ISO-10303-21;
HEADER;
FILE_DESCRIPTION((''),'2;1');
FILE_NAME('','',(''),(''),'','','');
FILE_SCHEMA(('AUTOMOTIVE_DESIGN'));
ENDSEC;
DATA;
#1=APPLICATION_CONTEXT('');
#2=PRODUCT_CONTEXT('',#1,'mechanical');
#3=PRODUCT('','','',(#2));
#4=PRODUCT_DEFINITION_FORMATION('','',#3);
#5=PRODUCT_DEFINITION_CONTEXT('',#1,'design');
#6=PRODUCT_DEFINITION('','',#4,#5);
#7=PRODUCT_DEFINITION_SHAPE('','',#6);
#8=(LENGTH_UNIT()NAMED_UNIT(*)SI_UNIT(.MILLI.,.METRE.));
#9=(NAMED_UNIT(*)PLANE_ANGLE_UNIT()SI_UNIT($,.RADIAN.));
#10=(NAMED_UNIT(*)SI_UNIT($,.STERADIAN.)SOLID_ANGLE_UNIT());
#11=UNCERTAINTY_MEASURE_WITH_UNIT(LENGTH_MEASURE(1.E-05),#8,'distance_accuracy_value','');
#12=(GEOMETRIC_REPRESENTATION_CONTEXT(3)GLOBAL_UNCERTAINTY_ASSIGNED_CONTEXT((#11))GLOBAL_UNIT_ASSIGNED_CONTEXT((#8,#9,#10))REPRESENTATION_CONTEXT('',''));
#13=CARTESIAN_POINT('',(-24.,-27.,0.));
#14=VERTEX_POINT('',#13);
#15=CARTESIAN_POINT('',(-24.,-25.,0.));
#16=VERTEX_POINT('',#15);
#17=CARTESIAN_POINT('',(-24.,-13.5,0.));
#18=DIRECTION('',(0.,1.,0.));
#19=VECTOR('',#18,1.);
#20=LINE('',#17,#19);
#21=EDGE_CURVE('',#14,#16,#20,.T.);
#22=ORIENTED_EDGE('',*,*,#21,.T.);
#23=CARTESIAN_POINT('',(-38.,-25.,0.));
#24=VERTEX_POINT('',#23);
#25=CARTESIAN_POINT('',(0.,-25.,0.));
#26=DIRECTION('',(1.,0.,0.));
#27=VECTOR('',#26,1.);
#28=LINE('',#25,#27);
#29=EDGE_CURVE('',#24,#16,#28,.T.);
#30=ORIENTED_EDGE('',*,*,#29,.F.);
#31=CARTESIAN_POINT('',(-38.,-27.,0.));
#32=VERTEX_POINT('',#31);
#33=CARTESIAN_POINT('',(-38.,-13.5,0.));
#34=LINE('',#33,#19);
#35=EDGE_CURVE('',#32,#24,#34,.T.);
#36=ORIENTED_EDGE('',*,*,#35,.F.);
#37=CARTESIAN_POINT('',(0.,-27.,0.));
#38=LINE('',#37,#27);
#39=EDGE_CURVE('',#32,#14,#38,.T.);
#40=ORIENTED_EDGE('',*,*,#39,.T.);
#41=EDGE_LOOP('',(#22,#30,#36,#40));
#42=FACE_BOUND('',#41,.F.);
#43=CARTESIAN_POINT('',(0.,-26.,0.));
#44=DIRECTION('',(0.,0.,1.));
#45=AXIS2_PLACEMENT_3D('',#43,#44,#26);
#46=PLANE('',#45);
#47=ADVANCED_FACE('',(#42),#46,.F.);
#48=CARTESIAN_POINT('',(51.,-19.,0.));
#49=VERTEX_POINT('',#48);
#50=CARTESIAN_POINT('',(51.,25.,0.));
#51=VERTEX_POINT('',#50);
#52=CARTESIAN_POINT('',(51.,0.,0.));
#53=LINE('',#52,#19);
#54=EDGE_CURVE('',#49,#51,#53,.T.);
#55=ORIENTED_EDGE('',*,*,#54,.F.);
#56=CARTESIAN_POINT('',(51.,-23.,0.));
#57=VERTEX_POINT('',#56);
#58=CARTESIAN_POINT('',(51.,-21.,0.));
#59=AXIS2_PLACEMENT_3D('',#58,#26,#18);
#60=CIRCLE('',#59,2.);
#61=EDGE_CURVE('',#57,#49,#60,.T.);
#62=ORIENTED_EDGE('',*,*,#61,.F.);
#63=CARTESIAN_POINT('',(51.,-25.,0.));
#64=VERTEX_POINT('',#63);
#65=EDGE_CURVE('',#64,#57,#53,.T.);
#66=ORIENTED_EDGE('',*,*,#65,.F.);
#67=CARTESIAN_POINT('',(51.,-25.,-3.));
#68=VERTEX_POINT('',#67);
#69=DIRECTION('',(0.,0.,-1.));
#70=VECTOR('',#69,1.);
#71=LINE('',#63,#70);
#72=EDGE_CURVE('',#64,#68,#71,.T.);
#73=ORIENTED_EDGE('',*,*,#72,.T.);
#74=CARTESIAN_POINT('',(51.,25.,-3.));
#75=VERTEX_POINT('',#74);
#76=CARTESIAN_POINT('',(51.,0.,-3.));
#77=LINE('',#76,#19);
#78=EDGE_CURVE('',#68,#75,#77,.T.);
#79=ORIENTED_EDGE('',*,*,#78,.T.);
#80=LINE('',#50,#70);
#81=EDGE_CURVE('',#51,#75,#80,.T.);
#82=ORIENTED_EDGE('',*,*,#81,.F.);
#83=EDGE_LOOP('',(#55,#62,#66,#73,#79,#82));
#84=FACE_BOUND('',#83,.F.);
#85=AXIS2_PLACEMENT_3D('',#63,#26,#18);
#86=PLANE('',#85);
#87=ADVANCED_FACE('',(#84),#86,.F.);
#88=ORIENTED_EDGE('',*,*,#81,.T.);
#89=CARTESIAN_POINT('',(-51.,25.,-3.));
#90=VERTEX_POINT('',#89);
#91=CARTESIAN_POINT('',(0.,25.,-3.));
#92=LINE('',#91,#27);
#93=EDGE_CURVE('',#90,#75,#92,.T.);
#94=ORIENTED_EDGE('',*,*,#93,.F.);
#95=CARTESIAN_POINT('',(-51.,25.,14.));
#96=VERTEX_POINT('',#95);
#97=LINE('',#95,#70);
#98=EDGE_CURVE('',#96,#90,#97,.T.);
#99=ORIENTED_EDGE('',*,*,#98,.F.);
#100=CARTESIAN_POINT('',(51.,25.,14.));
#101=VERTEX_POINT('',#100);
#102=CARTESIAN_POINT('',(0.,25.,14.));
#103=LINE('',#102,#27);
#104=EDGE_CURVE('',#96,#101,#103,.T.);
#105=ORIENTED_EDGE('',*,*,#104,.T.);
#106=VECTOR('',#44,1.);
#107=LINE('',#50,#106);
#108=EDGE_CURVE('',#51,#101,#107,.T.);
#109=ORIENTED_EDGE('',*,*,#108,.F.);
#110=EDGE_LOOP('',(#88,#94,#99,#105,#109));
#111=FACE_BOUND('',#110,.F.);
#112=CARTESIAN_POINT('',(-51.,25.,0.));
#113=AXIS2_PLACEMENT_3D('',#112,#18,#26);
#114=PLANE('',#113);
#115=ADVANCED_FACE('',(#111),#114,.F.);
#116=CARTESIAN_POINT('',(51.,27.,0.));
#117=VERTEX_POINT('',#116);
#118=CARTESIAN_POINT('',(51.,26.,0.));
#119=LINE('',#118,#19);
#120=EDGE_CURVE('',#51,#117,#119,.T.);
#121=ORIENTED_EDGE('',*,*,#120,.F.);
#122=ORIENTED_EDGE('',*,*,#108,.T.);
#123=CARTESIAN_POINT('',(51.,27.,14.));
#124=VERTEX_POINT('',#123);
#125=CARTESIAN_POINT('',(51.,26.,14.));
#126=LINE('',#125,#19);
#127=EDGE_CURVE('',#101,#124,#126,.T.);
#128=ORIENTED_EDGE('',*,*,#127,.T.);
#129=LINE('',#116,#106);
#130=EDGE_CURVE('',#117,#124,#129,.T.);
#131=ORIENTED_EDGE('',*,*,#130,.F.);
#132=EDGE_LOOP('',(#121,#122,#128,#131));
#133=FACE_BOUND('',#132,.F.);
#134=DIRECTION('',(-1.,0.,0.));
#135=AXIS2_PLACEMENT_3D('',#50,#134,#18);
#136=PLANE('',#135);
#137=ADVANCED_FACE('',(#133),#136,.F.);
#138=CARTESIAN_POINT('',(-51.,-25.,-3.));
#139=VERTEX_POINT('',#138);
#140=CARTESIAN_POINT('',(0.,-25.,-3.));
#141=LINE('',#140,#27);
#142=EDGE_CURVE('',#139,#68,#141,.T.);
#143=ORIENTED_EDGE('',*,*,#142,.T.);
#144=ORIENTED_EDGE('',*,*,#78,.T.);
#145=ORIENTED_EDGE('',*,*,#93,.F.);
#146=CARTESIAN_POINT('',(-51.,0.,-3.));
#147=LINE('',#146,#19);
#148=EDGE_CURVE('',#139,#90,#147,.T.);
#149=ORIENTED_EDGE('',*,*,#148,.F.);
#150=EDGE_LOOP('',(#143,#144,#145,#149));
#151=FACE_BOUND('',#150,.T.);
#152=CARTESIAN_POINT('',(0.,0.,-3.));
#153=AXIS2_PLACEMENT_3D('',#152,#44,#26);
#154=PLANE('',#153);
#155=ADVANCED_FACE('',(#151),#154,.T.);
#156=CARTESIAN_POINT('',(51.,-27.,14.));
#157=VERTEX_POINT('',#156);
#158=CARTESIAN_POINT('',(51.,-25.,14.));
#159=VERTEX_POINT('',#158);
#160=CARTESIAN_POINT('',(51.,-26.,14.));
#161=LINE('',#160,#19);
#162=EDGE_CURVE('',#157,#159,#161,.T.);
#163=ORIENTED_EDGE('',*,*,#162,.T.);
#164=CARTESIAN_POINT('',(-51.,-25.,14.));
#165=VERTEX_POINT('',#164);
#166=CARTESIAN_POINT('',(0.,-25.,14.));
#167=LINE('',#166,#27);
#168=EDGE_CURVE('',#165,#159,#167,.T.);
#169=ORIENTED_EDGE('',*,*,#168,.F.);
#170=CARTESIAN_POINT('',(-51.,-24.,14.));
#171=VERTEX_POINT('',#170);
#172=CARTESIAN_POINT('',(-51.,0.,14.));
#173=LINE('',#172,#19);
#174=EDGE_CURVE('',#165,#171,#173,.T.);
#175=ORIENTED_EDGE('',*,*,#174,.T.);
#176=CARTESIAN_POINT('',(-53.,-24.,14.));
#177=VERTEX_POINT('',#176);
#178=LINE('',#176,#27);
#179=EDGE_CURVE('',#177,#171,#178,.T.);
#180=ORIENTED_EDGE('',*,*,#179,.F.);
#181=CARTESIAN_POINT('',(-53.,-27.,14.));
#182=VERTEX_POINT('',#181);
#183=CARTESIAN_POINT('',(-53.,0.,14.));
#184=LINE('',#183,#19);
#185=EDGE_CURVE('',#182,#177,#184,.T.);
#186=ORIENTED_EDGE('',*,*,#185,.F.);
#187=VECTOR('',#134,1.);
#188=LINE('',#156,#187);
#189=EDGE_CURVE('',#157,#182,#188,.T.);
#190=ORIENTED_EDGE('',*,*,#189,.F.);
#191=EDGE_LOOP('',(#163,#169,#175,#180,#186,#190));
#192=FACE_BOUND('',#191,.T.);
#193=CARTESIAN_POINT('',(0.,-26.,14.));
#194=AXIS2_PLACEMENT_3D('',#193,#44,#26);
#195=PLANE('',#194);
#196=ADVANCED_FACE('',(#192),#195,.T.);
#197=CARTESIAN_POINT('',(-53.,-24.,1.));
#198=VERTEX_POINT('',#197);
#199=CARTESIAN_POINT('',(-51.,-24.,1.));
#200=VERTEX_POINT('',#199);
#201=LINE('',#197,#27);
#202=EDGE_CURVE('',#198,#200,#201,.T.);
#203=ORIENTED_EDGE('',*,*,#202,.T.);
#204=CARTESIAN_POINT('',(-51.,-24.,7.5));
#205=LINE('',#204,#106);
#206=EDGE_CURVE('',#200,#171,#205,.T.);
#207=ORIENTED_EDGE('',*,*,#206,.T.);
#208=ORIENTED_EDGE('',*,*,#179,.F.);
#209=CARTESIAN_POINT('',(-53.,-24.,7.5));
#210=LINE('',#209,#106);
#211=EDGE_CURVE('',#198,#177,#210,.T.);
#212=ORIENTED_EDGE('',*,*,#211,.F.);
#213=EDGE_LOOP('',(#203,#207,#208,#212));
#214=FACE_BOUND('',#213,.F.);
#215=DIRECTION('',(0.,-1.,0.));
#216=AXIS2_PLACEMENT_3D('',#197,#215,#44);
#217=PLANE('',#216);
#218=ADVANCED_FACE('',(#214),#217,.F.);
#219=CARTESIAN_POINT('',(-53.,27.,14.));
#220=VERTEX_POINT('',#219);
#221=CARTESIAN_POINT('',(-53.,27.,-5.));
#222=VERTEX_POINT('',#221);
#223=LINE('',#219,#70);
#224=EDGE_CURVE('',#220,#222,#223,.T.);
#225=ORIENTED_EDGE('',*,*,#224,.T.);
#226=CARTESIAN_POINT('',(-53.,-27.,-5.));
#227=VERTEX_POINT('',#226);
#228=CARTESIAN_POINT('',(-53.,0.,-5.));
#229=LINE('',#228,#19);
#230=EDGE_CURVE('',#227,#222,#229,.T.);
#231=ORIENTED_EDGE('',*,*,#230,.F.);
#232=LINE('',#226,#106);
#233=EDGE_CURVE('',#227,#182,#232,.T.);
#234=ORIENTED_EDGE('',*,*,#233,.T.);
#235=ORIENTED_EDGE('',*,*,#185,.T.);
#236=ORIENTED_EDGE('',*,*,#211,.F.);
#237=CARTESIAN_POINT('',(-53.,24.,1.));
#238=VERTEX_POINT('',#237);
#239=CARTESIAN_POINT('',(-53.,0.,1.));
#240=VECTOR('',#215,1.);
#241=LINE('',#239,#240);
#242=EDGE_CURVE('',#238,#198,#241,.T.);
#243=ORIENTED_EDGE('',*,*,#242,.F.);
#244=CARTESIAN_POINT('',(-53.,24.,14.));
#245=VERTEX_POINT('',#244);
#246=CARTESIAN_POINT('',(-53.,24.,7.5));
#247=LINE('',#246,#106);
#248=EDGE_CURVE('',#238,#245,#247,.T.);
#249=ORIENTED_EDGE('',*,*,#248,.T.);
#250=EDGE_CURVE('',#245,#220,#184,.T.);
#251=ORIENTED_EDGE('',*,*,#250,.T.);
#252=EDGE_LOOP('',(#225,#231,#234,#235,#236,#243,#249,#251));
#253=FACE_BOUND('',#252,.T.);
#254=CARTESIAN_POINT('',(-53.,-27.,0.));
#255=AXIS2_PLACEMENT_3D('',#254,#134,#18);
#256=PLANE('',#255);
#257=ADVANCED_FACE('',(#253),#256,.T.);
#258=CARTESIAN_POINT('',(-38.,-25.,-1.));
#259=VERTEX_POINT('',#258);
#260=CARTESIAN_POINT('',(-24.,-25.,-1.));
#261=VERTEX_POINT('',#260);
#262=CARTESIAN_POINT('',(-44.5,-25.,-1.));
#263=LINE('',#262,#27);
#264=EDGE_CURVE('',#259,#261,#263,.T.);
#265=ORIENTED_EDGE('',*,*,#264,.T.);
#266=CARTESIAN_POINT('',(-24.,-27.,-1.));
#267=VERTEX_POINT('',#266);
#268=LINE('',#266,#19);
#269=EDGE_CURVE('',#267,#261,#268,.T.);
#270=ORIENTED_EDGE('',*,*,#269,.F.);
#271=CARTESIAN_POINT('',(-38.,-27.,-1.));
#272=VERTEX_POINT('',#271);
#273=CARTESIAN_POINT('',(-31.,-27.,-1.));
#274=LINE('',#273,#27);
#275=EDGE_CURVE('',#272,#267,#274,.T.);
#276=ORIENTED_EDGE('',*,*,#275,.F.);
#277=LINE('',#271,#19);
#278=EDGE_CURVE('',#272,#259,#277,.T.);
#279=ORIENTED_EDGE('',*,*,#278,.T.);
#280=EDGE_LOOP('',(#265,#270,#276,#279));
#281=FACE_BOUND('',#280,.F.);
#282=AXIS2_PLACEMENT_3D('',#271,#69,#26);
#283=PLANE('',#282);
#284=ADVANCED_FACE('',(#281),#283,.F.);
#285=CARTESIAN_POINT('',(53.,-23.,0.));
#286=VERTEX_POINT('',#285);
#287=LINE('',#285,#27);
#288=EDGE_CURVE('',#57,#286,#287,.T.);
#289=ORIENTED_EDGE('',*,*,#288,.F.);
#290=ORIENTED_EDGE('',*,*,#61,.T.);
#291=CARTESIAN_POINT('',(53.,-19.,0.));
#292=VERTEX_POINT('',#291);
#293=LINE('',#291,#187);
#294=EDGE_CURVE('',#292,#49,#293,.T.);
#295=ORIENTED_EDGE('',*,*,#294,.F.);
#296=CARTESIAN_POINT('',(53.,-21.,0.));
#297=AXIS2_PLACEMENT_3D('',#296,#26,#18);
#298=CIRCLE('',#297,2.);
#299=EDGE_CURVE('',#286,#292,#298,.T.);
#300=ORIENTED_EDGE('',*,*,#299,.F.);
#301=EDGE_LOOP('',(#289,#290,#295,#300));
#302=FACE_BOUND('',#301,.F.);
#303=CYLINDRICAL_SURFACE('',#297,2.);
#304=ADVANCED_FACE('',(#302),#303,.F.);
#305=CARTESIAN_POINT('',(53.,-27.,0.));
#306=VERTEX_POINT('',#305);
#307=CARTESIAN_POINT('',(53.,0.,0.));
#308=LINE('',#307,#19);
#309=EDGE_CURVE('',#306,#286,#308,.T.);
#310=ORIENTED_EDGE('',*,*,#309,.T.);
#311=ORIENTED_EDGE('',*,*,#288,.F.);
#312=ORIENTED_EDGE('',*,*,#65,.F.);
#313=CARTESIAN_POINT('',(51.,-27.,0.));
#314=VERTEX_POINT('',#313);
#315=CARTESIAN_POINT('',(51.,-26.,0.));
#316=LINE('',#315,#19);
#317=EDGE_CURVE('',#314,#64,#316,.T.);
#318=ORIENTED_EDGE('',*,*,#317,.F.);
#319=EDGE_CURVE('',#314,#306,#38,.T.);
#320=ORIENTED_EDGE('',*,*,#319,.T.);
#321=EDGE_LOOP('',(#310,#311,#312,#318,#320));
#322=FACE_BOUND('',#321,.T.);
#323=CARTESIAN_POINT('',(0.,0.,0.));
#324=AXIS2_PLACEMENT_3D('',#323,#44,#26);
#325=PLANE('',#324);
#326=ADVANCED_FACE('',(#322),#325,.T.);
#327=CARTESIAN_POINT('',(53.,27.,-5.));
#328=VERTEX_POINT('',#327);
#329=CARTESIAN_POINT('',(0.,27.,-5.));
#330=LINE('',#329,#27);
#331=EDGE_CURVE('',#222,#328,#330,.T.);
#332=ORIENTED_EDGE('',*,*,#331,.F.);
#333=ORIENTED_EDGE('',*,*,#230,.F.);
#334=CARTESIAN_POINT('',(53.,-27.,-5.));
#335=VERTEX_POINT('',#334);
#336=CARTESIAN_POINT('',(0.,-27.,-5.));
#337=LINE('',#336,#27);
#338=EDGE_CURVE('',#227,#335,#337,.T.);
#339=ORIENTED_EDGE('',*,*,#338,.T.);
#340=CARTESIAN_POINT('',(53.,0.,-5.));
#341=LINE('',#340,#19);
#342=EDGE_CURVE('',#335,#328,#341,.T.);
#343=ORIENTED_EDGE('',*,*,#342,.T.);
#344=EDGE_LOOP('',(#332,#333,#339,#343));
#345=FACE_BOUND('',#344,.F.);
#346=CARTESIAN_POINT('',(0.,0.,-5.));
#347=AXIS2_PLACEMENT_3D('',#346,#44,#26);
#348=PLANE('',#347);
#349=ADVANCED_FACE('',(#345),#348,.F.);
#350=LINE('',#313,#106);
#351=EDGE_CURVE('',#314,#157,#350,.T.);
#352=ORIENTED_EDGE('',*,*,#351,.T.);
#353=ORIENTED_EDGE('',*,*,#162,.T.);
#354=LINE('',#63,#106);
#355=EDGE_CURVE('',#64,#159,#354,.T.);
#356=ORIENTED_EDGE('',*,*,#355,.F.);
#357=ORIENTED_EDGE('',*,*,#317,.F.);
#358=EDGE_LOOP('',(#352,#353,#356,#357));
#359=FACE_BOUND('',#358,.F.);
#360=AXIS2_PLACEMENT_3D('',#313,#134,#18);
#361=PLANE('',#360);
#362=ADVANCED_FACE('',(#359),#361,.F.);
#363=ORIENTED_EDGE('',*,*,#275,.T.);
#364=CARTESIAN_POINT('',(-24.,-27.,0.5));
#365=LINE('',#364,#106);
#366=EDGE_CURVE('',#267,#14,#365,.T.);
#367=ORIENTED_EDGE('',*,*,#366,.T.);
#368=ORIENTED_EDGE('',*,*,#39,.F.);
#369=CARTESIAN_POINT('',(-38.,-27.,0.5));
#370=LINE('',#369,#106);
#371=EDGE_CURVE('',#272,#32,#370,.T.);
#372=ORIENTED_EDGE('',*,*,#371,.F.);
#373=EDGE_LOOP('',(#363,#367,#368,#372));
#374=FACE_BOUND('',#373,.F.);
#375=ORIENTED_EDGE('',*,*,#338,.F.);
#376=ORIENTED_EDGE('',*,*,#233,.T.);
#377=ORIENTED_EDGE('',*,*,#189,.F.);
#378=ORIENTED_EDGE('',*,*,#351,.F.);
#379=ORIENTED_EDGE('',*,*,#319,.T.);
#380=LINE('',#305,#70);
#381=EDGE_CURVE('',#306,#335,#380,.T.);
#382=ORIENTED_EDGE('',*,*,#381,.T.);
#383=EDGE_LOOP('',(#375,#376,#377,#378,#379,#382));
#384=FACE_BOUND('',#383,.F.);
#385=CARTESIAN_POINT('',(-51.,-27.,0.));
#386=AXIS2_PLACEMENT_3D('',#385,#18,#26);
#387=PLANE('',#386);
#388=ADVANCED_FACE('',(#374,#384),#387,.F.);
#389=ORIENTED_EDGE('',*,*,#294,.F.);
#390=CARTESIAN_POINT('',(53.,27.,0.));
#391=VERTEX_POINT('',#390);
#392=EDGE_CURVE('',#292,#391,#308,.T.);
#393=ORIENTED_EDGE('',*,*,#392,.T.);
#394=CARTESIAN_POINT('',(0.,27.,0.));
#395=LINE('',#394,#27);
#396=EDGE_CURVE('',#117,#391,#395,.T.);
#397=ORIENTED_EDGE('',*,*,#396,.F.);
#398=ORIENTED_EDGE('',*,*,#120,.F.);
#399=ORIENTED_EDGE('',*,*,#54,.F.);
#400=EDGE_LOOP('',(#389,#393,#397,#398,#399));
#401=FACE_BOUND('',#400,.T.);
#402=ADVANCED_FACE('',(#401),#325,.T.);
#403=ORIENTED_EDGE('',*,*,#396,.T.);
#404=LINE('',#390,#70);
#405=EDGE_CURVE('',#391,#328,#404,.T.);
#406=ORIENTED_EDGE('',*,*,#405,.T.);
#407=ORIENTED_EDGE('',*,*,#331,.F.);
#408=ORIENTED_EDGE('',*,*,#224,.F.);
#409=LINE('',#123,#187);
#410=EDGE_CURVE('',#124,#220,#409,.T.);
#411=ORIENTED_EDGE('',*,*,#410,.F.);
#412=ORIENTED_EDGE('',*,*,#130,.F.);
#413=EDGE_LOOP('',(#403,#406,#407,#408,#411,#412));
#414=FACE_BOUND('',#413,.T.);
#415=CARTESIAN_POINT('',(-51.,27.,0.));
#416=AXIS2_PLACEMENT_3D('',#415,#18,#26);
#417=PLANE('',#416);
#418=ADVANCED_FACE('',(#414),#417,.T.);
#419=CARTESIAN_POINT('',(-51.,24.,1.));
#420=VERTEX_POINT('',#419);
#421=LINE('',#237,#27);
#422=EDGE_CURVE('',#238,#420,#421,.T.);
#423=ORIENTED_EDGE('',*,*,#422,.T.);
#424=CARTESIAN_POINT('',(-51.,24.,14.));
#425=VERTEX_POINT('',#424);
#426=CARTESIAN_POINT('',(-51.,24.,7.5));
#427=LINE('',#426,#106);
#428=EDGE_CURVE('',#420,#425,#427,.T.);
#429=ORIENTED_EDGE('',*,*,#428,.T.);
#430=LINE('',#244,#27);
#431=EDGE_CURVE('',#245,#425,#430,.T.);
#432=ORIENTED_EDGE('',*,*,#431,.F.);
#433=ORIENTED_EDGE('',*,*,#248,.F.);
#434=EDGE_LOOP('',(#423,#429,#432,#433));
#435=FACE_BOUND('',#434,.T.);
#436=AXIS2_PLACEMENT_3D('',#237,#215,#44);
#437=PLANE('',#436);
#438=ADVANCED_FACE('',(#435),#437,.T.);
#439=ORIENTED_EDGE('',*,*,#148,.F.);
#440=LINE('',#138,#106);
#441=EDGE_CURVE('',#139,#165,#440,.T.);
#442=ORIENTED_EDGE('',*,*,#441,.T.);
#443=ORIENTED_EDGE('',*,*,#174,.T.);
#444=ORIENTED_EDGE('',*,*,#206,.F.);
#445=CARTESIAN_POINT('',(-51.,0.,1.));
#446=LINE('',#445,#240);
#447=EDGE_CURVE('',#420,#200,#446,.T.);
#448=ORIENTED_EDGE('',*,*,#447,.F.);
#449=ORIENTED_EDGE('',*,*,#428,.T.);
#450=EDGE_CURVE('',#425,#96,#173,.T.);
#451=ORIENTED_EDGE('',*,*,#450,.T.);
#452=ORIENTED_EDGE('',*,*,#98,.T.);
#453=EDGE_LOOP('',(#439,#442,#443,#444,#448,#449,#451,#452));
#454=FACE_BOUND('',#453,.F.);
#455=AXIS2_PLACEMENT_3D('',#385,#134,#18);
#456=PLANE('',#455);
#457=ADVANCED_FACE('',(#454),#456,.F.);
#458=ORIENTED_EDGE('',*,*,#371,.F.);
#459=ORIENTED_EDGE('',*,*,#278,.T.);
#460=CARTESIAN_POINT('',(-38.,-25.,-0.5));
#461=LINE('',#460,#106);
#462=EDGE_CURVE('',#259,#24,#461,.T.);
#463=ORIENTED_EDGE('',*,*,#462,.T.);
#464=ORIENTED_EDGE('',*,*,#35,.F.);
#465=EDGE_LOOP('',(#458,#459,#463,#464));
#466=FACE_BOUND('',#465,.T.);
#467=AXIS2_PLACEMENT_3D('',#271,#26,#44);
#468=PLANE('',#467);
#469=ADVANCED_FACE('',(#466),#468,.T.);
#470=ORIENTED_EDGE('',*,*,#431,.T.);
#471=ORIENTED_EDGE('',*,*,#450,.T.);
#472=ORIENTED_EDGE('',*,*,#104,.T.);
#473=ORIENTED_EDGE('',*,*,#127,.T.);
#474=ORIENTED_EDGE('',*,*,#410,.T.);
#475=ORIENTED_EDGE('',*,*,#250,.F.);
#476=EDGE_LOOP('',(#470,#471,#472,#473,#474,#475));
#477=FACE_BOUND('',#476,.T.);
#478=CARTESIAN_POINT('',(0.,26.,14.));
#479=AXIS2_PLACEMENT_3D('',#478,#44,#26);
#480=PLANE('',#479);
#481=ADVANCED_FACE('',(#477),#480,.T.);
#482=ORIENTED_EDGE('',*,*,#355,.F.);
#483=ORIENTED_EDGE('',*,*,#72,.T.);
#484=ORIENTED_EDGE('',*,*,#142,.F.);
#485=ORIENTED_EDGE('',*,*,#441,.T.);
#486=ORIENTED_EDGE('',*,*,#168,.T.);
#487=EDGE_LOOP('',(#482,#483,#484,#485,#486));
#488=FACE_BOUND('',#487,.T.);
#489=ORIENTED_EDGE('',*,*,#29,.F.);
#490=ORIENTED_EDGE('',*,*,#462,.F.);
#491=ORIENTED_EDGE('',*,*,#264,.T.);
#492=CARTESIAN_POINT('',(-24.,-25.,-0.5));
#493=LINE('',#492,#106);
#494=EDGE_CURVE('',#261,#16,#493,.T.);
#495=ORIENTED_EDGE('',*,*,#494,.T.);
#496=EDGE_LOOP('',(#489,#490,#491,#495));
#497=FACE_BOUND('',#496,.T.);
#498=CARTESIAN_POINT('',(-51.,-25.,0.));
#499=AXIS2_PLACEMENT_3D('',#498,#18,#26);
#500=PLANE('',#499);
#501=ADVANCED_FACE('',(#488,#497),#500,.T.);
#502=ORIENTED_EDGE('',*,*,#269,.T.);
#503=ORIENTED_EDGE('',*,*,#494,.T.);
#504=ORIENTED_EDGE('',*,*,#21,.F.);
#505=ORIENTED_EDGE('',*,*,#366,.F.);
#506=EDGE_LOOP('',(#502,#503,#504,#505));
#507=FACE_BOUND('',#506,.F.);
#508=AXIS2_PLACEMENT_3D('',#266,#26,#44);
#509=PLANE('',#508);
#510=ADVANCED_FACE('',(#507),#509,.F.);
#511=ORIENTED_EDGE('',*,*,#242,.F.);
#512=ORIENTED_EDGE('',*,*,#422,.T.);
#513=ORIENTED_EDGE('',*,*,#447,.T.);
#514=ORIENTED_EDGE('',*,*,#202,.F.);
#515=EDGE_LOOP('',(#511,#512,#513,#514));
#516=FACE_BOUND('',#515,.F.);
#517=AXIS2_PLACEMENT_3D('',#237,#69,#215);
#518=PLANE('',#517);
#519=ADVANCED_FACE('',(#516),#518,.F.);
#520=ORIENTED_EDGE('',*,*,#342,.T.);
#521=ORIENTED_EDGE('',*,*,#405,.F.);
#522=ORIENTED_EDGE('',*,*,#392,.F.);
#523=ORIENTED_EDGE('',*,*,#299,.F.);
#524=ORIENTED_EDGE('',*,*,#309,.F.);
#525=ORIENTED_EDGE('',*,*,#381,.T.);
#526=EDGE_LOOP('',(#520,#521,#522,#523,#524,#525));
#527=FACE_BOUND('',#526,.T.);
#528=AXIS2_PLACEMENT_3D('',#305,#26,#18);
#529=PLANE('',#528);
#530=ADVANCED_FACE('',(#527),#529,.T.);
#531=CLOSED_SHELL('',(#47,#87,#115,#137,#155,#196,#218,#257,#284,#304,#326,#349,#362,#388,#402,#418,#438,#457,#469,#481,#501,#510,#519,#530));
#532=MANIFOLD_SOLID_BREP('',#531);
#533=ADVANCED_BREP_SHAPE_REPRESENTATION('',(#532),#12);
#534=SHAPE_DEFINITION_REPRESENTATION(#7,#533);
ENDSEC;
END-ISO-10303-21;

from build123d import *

# Parameters (mm, degrees)
SKETCH001_W     = 106
SKETCH001_H     = 54
PAD_DEPTH       = 5
SKETCH_W        = 102
SKETCH_H        = 50
POCKET_DEPTH    = 3
SKETCH002_R     = 2
POCKET001_DEPTH = 2
SKETCH004_W     = 14
SKETCH004_H     = 3
POCKET002_DEPTH = 5
SKETCH005_W     = 2
SKETCH005_H     = 54
PAD001_DEPTH    = 14
SKETCH006_W     = 48
SKETCH006_H     = 13
POCKET003_DEPTH = 2
SKETCH007_W     = 102
SKETCH007_H     = 2
PAD002_DEPTH    = 14
SKETCH008_W     = 102
SKETCH008_H     = 2
PAD003_DEPTH    = 14


with BuildPart() as part:
    # Sketch001 → Pad (new body)
    with BuildSketch(Plane.XY):
        Rectangle(SKETCH001_W, SKETCH001_H)
    extrude(amount=-PAD_DEPTH)

    # Sketch → Pocket (cut)
    with BuildSketch(Plane.XY):
        Rectangle(SKETCH_W, SKETCH_H)
    extrude(amount=-POCKET_DEPTH, mode=Mode.SUBTRACT)

    # Sketch002 (on Face3 of Pocket) → Pocket001 (cut)
    with BuildSketch(Plane.YZ.offset(53)):
        with Locations((-21, 0)):
            Circle(SKETCH002_R)
    extrude(amount=-POCKET001_DEPTH, mode=Mode.SUBTRACT)

    # Sketch004 (on Face6 of Pocket) → Pocket002 (cut)
    with BuildSketch(Plane.XZ.offset(27)):
        with Locations((-31, 0.5)):
            Rectangle(SKETCH004_W, SKETCH004_H)
    extrude(amount=-POCKET002_DEPTH, mode=Mode.SUBTRACT)

    # Sketch005 (on Face4 of Pocket002) → Pad001 (join)
    with BuildSketch(Plane.XY):
        with Locations((-52, 0)):
            Rectangle(SKETCH005_W, SKETCH005_H)
    extrude(amount=PAD001_DEPTH)

    # Sketch006 (on Face8 of Pad001) → Pocket003 (cut)
    with BuildSketch(Plane(origin=(-53, 0, 0), x_dir=(0, -1, 0), z_dir=(-1, 0, 0))):
        with Locations((0, 7.5)):
            Rectangle(SKETCH006_W, SKETCH006_H)
    extrude(amount=-POCKET003_DEPTH, mode=Mode.SUBTRACT)

    # Sketch007 (on Face5 of Pocket003) → Pad002 (join)
    with BuildSketch(Plane.XY):
        with Locations((0, 26)):
            Rectangle(SKETCH007_W, SKETCH007_H)
    extrude(amount=PAD002_DEPTH)

    # Sketch008 (on Face11 of Pad002) → Pad003 (join)
    with BuildSketch(Plane.XY):
        with Locations((0, -26)):
            Rectangle(SKETCH008_W, SKETCH008_H)
    extrude(amount=PAD003_DEPTH)


solid = part.part
